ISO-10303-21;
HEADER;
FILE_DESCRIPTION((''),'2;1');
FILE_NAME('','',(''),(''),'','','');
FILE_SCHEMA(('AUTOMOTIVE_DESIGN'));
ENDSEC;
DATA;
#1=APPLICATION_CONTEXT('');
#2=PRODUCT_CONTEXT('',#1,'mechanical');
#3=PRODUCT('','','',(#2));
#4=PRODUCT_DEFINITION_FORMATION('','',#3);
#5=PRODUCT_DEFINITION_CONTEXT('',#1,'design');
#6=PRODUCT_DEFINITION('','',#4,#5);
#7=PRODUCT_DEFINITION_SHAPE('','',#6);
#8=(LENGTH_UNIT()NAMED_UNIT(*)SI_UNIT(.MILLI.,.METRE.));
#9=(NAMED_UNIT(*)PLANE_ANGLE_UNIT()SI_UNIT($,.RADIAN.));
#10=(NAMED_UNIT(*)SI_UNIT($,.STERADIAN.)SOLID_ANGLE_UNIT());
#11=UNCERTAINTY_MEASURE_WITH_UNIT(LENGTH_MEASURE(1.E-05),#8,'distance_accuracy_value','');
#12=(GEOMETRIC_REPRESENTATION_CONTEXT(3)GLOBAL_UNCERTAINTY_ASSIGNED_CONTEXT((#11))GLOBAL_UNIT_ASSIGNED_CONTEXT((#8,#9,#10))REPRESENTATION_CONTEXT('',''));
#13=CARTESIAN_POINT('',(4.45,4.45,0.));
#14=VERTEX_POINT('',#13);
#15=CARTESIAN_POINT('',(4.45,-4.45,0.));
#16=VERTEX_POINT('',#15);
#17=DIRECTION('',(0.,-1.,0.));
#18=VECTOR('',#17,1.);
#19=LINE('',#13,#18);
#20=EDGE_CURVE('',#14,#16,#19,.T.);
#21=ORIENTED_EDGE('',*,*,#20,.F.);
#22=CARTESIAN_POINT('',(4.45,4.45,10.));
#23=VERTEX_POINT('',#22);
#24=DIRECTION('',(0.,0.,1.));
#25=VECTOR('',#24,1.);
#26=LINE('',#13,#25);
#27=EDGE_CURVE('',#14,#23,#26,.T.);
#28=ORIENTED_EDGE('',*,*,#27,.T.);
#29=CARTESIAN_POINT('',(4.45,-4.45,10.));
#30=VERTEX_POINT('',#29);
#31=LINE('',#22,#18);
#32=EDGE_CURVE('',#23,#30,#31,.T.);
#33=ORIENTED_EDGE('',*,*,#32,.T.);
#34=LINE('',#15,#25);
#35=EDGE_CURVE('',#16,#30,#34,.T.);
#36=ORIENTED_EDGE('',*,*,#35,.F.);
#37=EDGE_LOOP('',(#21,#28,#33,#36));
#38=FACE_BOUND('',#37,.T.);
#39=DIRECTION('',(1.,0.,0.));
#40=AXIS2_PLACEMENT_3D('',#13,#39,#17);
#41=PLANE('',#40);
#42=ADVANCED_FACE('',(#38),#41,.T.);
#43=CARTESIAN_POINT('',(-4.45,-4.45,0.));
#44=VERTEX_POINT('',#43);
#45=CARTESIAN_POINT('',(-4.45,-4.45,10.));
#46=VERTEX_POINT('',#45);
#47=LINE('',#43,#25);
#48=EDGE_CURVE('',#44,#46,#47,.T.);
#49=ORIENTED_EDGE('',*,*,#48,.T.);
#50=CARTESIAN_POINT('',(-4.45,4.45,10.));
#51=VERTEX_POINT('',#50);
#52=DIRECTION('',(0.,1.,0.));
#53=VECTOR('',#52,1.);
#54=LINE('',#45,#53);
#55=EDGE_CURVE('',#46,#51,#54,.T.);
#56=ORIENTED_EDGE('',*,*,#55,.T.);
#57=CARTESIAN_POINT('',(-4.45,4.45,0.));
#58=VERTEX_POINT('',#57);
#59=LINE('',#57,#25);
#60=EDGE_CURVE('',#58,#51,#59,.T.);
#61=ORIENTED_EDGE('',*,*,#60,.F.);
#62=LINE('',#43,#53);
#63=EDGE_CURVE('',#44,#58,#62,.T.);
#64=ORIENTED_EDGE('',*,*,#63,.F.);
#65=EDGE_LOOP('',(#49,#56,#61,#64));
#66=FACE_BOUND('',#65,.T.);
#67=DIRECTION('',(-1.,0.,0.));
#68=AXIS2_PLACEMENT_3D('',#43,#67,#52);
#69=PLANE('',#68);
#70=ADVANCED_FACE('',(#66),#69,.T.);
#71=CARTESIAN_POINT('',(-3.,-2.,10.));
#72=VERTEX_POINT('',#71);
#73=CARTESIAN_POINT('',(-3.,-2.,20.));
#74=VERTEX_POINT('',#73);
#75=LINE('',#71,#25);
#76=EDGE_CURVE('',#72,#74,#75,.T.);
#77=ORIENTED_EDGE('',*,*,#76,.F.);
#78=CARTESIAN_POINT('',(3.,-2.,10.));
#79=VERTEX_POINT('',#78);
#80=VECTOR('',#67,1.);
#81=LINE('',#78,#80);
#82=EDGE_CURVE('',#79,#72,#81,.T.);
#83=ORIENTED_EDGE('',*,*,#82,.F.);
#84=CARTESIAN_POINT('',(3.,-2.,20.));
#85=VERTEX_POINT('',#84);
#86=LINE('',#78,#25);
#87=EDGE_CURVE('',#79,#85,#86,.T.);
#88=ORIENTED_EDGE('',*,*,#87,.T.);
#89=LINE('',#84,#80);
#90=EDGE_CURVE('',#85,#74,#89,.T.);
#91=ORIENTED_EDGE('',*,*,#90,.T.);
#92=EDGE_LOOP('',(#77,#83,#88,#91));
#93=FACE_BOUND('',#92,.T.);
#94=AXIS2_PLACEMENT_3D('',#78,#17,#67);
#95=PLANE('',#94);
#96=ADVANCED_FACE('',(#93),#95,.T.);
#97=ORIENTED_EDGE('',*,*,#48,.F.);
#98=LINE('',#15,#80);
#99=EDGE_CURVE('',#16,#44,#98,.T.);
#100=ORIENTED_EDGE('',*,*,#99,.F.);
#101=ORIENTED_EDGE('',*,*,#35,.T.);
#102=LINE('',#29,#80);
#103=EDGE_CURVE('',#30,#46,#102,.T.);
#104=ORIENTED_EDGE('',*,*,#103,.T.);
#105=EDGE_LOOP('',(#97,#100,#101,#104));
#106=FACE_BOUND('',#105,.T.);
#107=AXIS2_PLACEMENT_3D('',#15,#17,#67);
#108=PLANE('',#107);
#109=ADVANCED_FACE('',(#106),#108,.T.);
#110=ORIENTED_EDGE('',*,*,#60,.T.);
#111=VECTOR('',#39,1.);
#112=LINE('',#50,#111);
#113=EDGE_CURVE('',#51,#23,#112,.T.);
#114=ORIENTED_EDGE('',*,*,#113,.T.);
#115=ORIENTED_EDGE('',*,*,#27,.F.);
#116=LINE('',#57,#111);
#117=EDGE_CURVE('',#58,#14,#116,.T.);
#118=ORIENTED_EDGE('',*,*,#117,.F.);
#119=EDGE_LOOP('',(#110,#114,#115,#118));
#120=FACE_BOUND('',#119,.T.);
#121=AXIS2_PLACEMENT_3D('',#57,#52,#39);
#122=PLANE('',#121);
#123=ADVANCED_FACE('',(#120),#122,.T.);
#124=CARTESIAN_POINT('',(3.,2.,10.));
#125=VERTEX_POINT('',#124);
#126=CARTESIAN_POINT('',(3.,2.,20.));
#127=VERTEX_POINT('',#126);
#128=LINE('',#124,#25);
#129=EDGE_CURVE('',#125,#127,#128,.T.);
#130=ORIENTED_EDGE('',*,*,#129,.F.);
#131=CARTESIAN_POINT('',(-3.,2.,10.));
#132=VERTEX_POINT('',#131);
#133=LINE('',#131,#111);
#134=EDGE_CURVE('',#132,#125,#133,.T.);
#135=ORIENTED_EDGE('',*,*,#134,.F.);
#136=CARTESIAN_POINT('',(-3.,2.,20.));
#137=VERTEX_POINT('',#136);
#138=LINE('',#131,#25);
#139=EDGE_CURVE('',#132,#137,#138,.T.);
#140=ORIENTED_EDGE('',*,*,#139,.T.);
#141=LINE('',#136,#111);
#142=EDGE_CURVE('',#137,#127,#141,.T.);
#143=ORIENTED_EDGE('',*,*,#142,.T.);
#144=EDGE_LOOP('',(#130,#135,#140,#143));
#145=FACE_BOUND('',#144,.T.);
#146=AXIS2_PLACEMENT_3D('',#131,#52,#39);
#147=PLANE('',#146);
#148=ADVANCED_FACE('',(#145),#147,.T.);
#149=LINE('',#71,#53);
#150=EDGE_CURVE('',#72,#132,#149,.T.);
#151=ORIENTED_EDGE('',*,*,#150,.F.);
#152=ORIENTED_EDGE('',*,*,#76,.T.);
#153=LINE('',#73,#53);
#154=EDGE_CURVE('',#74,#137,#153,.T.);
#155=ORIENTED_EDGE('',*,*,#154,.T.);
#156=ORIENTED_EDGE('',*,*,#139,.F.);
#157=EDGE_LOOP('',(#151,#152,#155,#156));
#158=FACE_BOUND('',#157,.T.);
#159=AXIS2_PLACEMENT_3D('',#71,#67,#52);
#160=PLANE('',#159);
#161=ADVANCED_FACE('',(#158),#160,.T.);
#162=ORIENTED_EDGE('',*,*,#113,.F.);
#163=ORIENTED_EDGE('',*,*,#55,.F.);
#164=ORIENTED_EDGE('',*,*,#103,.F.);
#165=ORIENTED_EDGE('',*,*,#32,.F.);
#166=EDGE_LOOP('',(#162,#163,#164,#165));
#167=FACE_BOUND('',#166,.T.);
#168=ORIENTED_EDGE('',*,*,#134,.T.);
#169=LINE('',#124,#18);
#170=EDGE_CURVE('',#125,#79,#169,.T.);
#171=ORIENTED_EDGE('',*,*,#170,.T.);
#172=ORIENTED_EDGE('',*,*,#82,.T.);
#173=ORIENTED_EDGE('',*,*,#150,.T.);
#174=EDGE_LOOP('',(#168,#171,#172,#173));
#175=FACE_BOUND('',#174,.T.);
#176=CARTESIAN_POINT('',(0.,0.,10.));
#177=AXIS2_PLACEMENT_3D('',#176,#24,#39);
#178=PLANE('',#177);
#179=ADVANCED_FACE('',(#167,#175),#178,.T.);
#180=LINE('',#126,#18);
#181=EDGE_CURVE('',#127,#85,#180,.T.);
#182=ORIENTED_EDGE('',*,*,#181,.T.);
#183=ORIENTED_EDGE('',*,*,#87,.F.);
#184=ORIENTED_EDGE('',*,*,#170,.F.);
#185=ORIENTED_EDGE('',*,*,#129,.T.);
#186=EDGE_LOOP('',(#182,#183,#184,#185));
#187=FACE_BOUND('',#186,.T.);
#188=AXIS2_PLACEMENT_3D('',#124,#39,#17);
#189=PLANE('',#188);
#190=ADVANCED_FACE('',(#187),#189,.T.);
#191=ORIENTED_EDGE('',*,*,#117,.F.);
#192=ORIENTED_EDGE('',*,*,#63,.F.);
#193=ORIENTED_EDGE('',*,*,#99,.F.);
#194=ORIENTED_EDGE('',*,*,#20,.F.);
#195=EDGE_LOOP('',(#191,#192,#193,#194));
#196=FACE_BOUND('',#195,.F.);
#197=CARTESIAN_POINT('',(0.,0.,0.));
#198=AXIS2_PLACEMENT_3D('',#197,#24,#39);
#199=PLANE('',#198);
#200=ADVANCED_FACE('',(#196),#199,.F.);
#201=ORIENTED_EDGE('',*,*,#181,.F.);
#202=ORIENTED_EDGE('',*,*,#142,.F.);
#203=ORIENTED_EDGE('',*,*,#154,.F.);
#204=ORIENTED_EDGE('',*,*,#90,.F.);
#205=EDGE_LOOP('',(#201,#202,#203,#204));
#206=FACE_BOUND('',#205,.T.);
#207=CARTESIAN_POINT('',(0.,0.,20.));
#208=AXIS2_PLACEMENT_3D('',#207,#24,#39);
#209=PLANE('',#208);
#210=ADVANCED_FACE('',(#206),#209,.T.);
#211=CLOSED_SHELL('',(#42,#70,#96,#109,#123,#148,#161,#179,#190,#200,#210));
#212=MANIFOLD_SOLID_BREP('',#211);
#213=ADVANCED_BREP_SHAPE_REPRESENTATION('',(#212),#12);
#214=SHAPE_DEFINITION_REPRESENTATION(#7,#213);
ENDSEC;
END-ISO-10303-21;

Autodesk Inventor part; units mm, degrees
ref_plane "YZ Plane" through (0, 0, 0) normal (1, 0, 0) x (0, 1, 0)
ref_plane "XZ Plane" through (0, 0, 0) normal (0, 1, 0) x (-1, 0, 0)
ref_plane "XY Plane" through (0, 0, 0) normal (0, 0, 1) x (1, 0, 0)
sketch "Sketch1" plane through (0, 0, 0) normal (0, 0, 1) x (1, 0, 0)
  line L0 (-4.45, 4.45) -> (4.45, 4.45)
  line L1 (4.45, 4.45) -> (4.45, -4.45)
  line L2 (4.45, -4.45) -> (-4.45, -4.45)
  line L3 (-4.45, -4.45) -> (-4.45, 4.45)
  point P0 (0, 0)
  dimension "d0" = 8.9
  dimension "d1" = 8.9
  dimension "d2" = 4.45
  dimension "d3" = 4.45
extrude "Extrusion1" add sketch "Sketch1" along normal blind 10
sketch "Sketch2" plane through (0, 0, 10) normal (0, 0, 1) x (1, 0, 0)
  line L0 (-3, 2) -> (3, 2)
  line L1 (3, 2) -> (3, -2)
  line L2 (3, -2) -> (-3, -2)
  line L3 (-3, -2) -> (-3, 2)
  point P0 (0, 0)
  dimension "d6" = 4
  dimension "d7" = 6
  dimension "d8" = 2
  dimension "d9" = 3
extrude "Extrusion2" add sketch "Sketch2" along normal blind 10
equation "\"d1\" = d0"
equation "\"d2\" = 0.5 * d0"
equation "\"d3\" = 0.5 * d0"
equation "\"d8\" = 0.5 * d6"
equation "\"d9\" = 0.5 * d7"
properties part number "PulleySocket"
